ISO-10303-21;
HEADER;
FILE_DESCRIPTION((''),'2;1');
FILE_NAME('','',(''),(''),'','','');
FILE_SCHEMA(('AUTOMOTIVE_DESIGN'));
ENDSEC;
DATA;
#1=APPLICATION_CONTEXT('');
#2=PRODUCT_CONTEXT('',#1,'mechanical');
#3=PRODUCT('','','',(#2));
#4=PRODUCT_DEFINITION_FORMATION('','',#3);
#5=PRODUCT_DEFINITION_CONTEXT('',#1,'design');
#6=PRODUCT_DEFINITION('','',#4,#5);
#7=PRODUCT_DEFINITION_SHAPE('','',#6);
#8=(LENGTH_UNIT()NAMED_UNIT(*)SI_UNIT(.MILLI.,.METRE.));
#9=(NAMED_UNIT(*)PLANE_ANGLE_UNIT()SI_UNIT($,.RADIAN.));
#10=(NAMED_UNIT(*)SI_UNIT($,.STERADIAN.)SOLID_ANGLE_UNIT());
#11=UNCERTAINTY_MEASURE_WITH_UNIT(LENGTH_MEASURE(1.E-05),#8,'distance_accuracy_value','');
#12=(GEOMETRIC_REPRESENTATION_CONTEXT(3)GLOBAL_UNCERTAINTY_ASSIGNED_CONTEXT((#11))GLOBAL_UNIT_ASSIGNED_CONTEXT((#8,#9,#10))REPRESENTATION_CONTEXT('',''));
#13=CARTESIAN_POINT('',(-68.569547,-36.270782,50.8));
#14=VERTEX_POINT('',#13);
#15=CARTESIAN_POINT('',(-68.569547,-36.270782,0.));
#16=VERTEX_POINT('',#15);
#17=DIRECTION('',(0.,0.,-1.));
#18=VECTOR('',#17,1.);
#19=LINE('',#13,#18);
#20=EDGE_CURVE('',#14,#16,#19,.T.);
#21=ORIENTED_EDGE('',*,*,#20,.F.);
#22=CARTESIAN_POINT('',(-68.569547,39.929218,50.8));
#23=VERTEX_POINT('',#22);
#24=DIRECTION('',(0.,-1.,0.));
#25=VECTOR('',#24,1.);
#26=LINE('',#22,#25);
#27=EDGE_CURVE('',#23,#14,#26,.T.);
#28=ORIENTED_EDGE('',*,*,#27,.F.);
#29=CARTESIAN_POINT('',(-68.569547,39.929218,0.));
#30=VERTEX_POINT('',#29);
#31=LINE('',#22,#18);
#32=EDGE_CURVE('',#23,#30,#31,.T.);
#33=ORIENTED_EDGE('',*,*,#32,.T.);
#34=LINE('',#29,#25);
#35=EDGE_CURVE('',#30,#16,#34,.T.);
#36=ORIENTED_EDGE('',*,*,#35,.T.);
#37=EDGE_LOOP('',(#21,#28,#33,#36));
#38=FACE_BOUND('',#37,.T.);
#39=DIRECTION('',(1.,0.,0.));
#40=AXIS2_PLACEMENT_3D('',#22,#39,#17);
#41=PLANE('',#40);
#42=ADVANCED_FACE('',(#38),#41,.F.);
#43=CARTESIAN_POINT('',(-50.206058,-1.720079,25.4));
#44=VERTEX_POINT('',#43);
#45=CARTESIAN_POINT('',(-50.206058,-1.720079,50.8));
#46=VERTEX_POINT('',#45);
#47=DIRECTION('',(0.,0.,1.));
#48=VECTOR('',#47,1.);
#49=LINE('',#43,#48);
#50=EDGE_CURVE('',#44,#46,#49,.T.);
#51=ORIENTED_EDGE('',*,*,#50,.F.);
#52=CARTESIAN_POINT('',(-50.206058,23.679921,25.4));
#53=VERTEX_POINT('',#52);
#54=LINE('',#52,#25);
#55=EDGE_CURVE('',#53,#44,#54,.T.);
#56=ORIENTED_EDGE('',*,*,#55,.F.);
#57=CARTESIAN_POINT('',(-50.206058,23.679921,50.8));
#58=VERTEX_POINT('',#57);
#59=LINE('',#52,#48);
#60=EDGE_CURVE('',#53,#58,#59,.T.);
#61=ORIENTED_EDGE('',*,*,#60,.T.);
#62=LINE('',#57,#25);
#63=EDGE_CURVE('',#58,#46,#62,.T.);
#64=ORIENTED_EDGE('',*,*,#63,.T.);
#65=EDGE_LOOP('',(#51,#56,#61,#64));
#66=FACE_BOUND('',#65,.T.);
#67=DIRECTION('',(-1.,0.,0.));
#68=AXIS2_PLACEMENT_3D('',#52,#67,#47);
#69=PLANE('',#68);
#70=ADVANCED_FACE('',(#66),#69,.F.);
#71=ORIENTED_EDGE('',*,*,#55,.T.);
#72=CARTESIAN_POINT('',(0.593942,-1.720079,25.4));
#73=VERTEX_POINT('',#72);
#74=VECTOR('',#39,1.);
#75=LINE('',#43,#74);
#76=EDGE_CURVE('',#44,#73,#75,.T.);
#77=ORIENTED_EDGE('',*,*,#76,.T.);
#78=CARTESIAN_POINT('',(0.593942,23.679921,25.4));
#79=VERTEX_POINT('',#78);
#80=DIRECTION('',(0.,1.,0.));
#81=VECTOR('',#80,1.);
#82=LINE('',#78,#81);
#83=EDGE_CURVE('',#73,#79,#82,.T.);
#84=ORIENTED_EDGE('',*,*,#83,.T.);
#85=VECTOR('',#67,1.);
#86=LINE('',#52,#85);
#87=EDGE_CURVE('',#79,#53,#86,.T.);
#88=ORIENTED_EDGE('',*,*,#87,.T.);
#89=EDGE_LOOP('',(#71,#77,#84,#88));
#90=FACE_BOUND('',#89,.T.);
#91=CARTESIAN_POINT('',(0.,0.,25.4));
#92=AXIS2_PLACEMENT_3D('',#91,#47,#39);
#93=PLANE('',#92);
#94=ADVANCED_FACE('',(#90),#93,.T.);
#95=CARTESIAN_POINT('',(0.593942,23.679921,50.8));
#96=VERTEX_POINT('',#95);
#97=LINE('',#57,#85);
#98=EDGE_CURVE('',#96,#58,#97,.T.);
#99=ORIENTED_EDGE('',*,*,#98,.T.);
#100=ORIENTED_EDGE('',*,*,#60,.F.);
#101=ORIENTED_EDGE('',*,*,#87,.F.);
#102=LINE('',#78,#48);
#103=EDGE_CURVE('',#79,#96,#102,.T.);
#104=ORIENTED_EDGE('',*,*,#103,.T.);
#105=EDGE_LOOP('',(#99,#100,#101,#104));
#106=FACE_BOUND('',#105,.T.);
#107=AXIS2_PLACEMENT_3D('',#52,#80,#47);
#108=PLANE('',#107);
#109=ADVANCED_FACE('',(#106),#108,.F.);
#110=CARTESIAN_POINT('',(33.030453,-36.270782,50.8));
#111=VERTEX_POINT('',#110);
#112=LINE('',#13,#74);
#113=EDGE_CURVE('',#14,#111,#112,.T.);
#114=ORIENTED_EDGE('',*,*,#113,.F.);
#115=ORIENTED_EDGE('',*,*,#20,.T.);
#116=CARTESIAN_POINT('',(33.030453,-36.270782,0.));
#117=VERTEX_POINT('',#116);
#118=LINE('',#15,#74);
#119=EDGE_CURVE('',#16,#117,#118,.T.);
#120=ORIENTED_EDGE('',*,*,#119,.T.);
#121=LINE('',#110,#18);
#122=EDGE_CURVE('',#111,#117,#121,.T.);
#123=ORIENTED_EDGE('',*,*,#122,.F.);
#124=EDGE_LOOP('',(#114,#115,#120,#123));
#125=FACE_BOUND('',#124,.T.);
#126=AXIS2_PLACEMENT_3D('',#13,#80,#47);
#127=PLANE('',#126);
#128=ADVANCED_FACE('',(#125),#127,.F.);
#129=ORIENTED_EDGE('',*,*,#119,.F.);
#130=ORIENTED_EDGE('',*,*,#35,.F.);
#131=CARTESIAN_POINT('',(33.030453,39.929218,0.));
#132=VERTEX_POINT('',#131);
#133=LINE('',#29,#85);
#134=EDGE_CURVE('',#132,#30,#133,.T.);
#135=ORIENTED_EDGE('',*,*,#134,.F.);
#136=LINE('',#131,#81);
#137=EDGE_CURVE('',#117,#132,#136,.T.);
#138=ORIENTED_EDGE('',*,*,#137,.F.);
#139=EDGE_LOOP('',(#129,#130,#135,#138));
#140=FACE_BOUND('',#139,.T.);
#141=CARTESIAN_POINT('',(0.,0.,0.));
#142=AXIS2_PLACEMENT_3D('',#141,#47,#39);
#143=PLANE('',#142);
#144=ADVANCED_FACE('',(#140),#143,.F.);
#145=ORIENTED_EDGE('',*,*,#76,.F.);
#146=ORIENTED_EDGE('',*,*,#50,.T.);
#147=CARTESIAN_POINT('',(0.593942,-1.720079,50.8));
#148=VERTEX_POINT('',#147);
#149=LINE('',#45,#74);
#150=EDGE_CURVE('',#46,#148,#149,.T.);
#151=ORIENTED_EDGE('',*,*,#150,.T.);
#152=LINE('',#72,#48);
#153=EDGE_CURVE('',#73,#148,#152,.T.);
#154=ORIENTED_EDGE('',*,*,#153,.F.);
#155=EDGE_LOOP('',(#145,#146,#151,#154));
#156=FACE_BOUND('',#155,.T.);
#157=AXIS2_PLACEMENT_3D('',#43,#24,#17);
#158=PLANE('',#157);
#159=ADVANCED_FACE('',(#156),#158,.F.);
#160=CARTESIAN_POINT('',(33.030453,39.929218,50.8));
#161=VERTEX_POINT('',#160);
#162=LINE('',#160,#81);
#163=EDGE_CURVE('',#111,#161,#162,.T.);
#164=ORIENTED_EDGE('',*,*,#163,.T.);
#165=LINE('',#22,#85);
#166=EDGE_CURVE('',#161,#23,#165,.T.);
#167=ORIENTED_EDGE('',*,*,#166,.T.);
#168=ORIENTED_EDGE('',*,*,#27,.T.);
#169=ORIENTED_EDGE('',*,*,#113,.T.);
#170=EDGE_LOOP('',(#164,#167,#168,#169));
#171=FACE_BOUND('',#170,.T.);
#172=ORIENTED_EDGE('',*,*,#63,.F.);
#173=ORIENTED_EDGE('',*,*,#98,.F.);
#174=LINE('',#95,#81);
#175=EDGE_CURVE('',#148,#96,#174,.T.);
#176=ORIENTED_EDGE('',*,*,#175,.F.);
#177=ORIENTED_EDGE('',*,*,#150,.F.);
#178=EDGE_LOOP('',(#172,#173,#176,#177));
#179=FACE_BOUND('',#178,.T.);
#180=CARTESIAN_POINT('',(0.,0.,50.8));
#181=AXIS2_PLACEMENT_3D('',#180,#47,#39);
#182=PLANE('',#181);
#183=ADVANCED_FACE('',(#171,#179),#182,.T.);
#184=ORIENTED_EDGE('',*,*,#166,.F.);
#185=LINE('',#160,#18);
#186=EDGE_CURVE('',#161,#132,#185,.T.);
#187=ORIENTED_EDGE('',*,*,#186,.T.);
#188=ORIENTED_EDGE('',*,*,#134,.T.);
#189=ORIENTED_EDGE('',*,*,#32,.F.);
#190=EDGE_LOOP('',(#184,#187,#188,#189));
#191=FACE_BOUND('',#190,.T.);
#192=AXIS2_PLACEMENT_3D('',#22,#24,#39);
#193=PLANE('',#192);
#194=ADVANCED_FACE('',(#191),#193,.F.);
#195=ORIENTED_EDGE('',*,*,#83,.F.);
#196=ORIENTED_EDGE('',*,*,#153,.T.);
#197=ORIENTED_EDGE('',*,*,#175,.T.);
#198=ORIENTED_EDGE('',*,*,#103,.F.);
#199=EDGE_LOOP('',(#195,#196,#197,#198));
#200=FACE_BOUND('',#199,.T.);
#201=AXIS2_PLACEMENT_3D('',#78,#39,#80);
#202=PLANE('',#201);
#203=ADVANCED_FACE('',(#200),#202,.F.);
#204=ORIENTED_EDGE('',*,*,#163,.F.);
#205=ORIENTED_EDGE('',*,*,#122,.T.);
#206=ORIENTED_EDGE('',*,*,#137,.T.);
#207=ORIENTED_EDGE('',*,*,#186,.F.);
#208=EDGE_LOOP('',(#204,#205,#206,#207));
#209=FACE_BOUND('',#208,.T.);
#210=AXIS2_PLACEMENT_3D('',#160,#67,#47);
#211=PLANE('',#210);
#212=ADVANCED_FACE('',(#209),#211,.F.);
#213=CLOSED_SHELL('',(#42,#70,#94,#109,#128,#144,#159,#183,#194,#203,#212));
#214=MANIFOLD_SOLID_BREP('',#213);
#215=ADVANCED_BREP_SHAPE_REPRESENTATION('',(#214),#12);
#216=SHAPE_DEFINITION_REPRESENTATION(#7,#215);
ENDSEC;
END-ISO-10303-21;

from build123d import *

# Parameters (mm, degrees)
SKETCH1_W           = 101.6
SKETCH1_H           = 76.2
BOSS_EXTRUDE1_DEPTH = 50.8
SKETCH2_W           = 50.8
SKETCH2_H           = 25.4
CUT_EXTRUDE1_DEPTH  = 25.4


with BuildPart() as part:
    # Sketch1 → Boss-Extrude1 (new body)
    with BuildSketch(Plane.XY):
        with Locations((-17.769547325, 1.829218107)):
            Rectangle(SKETCH1_W, SKETCH1_H)
    extrude(amount=BOSS_EXTRUDE1_DEPTH)

    # Sketch2 → Cut-Extrude1 (cut)
    with BuildSketch(Plane.XY.offset(50.8)):
        with Locations((-24.806057598, 10.979921456)):
            Rectangle(SKETCH2_W, SKETCH2_H)
    extrude(amount=-CUT_EXTRUDE1_DEPTH, mode=Mode.SUBTRACT)


solid = part.part
